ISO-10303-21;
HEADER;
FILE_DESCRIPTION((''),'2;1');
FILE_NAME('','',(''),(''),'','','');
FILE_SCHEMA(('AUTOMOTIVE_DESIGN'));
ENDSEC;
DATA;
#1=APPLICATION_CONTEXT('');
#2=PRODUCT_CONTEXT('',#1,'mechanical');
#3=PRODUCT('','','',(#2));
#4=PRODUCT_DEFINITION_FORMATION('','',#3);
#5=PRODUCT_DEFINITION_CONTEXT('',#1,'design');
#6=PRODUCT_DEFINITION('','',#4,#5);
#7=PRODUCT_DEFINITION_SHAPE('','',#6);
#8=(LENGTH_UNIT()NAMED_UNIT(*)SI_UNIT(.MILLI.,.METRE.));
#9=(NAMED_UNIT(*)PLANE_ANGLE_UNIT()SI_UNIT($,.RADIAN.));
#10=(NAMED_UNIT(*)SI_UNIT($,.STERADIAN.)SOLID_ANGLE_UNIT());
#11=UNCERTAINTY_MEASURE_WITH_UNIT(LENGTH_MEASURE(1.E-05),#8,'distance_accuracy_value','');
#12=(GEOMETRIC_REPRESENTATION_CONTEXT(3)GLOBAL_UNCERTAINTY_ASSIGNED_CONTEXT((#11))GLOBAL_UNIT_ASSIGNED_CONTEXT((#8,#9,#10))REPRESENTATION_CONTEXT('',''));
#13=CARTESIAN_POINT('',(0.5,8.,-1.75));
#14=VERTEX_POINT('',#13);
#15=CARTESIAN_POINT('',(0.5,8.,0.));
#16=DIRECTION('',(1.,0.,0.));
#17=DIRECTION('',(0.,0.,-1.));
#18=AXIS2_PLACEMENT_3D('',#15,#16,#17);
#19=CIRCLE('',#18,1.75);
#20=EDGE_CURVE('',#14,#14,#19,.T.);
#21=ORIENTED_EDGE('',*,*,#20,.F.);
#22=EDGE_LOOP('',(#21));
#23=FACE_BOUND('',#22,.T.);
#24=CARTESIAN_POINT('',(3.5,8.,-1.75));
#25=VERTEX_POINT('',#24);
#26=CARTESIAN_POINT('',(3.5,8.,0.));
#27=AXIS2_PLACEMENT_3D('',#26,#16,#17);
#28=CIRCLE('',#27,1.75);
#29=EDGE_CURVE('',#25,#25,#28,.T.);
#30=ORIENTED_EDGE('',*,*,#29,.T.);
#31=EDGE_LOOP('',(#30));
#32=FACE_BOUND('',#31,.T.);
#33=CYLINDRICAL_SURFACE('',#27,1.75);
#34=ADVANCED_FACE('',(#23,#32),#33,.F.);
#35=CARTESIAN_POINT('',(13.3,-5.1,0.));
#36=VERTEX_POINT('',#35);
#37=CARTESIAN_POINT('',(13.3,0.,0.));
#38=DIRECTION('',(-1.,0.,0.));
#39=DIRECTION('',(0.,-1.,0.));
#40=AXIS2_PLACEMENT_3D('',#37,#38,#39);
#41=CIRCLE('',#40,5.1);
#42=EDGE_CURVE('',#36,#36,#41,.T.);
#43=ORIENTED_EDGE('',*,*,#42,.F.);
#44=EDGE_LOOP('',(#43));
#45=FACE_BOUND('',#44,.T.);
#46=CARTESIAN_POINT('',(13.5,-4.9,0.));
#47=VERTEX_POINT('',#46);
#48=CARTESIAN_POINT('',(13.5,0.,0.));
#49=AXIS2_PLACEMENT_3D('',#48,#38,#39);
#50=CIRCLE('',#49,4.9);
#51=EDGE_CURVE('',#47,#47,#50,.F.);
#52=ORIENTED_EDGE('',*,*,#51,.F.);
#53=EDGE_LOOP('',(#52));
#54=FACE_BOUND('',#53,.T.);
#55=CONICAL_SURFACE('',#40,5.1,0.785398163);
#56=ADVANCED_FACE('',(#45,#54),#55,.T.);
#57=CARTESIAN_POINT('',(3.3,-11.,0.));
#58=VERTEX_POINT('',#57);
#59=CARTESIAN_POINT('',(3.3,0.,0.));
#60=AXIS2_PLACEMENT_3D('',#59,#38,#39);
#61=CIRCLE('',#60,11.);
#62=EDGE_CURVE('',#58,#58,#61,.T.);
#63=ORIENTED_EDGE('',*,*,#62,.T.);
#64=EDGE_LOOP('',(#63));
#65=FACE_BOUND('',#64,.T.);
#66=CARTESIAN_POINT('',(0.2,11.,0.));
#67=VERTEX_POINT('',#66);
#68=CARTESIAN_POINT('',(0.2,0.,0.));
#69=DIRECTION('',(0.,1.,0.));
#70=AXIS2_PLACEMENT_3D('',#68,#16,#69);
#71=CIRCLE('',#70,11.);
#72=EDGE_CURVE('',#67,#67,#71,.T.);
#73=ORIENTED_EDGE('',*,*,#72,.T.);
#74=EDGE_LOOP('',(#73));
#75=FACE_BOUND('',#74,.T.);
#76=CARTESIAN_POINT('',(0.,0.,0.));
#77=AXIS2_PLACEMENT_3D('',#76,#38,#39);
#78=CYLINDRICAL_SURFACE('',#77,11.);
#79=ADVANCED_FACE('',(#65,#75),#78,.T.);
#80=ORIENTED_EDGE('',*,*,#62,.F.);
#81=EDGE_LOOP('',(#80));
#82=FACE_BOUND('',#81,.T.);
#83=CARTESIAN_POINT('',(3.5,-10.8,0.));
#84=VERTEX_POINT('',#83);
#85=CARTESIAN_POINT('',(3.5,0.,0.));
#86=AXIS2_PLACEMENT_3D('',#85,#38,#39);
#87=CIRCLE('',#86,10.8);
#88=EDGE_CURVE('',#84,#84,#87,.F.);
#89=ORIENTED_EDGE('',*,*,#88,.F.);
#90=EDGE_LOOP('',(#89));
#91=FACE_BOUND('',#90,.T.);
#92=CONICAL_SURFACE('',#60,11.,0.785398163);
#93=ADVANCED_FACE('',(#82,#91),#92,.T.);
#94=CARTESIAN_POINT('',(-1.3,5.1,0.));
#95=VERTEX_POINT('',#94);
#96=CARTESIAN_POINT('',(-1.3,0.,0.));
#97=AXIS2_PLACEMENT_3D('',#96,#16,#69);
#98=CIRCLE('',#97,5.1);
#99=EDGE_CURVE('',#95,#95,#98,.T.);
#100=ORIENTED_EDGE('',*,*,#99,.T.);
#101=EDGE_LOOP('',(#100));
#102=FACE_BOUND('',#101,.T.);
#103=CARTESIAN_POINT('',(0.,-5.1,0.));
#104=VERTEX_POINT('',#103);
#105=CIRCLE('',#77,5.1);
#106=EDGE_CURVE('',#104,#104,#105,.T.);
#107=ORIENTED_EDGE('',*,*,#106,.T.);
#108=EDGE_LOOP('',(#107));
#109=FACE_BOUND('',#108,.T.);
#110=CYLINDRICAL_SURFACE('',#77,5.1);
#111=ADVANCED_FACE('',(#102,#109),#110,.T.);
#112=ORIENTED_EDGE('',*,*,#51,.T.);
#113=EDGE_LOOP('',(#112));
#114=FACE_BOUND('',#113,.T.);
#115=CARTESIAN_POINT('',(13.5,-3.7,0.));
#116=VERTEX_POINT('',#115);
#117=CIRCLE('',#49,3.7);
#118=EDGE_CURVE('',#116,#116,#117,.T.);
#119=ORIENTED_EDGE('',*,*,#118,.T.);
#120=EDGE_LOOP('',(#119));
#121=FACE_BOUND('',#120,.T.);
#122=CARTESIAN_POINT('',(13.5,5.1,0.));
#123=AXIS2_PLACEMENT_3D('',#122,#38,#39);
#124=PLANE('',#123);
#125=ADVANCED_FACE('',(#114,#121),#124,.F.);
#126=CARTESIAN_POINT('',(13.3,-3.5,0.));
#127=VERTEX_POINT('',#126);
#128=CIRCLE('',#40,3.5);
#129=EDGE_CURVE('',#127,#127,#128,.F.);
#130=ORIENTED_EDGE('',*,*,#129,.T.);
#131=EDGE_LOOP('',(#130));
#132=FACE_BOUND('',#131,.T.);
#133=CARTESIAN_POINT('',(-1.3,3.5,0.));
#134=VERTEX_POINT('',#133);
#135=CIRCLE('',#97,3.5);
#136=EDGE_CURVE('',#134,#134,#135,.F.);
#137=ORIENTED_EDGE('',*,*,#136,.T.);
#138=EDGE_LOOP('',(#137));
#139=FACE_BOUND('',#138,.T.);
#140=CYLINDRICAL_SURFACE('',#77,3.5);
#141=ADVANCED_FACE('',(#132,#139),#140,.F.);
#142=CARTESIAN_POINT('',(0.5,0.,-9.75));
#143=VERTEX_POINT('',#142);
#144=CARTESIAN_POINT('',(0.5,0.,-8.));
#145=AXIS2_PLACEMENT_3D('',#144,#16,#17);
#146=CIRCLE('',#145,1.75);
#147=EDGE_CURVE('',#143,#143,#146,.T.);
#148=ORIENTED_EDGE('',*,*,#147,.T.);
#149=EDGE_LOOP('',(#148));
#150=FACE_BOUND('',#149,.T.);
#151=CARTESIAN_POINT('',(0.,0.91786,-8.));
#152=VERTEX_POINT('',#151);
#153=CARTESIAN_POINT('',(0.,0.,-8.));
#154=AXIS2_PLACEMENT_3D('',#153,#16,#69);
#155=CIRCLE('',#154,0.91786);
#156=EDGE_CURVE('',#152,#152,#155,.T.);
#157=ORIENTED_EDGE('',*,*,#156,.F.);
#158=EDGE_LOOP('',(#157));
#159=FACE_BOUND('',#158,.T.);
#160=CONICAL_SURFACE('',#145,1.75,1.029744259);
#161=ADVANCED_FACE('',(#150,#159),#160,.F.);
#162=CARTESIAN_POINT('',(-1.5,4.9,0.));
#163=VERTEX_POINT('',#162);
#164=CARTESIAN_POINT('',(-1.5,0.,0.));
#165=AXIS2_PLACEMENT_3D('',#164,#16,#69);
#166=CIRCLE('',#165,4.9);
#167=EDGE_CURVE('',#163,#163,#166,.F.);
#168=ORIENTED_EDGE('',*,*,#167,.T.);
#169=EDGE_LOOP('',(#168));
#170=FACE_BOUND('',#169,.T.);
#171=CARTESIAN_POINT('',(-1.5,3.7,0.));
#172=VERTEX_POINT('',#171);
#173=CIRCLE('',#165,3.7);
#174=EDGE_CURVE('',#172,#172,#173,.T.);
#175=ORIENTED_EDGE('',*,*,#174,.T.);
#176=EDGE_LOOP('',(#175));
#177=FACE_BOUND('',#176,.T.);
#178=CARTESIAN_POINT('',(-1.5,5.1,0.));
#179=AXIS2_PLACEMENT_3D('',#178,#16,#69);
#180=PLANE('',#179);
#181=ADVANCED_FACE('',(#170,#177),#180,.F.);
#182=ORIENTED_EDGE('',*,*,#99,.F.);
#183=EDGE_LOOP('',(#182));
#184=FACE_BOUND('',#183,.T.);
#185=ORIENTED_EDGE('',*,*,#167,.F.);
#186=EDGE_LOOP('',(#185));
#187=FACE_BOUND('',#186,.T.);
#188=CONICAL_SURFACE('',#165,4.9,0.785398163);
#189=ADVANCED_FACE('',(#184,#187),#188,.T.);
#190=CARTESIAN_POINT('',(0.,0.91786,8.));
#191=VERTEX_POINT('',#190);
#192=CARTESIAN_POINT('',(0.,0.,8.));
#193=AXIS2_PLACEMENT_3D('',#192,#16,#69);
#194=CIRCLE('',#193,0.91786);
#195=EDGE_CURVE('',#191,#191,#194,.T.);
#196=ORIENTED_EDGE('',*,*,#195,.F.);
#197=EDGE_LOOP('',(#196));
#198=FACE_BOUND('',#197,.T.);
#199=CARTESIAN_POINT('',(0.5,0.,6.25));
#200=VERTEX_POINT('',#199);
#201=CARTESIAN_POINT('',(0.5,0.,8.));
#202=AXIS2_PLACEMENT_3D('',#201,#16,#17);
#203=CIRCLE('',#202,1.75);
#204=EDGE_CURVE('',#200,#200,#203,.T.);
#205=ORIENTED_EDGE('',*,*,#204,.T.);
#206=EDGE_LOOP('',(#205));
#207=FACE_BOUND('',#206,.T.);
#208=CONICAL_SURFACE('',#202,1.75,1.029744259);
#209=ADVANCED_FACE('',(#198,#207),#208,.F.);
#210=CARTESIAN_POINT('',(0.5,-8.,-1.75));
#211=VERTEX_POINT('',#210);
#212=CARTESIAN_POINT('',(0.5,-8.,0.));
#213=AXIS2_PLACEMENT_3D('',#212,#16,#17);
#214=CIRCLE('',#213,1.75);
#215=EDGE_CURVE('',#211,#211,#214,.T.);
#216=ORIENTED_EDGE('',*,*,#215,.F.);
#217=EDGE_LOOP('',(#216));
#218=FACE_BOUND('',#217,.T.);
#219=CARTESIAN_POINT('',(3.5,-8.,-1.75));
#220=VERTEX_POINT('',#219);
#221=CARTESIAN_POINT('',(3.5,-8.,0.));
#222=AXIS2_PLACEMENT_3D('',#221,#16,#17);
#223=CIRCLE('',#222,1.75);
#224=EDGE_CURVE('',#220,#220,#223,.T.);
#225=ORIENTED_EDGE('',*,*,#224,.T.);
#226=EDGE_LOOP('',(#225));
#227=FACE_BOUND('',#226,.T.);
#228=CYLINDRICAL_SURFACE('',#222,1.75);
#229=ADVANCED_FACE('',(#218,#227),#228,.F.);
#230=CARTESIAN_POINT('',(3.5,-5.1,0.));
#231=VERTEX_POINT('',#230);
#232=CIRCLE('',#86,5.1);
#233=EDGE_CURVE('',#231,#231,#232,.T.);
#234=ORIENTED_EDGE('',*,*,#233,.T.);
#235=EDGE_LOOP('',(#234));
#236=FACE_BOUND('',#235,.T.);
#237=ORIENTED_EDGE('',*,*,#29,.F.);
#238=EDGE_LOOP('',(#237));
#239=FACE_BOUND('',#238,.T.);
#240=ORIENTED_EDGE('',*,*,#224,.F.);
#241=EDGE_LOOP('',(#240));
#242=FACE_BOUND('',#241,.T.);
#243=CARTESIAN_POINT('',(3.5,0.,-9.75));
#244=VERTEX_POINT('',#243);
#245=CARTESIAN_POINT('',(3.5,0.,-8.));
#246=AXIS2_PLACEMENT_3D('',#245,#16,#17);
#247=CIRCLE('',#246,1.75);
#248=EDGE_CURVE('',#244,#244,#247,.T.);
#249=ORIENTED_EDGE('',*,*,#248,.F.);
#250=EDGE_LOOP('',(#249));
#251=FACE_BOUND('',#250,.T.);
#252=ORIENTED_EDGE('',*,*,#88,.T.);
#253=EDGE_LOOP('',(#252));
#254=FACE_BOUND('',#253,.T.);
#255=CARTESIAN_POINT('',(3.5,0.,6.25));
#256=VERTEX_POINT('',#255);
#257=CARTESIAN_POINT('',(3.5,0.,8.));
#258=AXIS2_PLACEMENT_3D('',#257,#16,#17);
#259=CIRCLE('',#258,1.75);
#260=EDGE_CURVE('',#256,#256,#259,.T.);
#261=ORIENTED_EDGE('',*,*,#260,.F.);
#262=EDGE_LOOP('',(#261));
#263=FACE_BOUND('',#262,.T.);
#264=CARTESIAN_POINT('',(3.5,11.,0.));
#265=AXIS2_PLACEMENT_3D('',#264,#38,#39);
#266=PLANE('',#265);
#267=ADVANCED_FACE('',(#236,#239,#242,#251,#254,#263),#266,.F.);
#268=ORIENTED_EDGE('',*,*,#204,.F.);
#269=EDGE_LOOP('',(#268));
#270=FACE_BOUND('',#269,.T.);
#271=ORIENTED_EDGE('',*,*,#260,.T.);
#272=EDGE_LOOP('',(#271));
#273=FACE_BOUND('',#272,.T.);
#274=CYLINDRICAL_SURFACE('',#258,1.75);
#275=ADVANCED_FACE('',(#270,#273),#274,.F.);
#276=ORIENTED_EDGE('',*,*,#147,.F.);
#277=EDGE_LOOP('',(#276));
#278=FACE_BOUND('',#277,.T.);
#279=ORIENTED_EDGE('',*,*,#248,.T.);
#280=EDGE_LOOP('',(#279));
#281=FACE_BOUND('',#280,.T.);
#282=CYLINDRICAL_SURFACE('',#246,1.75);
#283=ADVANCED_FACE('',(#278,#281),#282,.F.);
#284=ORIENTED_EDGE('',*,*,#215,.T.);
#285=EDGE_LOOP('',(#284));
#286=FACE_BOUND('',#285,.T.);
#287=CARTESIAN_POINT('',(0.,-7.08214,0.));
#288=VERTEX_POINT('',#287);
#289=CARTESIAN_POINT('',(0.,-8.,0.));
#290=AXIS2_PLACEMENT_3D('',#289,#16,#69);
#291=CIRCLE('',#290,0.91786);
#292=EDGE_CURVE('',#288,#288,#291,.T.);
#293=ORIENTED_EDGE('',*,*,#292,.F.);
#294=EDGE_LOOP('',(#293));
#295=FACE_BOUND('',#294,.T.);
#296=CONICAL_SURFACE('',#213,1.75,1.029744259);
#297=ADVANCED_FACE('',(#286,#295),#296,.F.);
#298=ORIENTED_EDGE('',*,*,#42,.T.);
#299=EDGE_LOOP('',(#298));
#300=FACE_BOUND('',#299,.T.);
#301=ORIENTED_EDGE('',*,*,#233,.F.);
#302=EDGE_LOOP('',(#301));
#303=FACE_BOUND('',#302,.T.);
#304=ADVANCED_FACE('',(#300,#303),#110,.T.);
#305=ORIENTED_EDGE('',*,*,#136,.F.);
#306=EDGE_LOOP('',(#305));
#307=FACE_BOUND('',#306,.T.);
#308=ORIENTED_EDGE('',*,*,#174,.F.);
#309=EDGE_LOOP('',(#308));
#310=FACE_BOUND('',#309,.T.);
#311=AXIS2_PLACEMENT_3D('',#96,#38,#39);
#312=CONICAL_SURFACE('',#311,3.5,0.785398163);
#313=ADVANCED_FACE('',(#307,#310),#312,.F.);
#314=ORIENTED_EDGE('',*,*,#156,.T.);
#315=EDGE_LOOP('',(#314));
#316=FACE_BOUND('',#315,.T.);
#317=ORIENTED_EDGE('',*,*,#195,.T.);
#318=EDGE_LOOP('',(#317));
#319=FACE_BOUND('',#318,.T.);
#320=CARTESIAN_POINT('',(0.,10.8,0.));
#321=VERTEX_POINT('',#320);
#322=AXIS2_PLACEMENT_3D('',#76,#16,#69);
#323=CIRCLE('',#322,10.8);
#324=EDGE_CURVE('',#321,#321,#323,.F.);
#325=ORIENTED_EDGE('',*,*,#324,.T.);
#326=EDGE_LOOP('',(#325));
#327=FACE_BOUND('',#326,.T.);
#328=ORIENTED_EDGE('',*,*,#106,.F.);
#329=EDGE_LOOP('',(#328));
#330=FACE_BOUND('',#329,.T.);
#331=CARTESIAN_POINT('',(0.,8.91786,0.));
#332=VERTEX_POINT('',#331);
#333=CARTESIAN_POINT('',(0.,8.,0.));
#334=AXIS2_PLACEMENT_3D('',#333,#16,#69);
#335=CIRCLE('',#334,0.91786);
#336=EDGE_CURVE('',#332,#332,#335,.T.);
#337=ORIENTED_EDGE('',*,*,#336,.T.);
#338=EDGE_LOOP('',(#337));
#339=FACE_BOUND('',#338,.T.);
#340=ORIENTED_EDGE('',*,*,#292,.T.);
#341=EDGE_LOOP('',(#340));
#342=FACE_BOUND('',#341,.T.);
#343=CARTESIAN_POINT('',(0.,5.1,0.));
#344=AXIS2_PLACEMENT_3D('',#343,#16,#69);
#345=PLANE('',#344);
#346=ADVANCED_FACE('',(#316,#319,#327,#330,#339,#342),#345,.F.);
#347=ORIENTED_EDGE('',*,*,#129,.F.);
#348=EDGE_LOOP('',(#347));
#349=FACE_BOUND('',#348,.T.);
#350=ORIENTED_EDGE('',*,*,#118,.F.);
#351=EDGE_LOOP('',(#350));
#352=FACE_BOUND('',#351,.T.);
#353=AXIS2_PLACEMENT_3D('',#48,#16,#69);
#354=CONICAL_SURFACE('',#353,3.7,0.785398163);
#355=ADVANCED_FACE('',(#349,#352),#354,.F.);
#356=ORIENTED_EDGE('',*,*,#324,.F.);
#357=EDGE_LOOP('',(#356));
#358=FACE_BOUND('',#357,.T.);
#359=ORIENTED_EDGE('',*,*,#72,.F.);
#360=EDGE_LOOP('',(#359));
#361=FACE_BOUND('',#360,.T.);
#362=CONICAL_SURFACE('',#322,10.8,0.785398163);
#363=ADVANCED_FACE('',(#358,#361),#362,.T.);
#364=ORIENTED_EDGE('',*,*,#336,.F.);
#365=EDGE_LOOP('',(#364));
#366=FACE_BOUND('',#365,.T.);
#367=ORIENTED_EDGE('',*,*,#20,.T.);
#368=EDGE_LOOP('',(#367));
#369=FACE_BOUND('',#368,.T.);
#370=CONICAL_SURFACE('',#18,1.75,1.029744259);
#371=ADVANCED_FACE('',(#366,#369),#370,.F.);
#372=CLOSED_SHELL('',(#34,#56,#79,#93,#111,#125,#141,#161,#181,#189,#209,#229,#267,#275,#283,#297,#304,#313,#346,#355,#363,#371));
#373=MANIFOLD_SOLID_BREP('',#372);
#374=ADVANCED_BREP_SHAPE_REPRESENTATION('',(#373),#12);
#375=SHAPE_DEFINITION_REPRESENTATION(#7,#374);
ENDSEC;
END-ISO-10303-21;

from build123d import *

# Parameters (mm, degrees)
CHAMFER1_SIZE     = 0.2
CIRPATTERN1_COUNT = 4


with BuildPart() as part:
    # Sketch1 → Revolve1 (revolve)
    with BuildSketch(Plane.XY, mode=Mode.PRIVATE) as revolve1_sk:
        Polygon((0, 5.1), (0, 11), (3.5, 11), (3.5, 5.1), (13.5, 5.1), (13.5, 3.5), (-1.5, 3.5), (-1.5, 5.1), align=None)
    revolve(revolve1_sk.sketch.rotate(Axis((0, 0, 0), (1, 0, 0)), 180), axis=Axis((0, 0, 0), (1, 0, 0)))

    # Chamfer1
    chamfer1_edges = [part.edges().sort_by_distance(p)[0] for p in [
        (-1.5, 3.5, 0),
        (13.5, 3.5, 0),
        (13.5, 5.1, 0),
        (3.5, 11, 0),
        (0, 11, 0),
        (-1.5, 5.1, 0),
    ]]
    chamfer(chamfer1_edges, length=CHAMFER1_SIZE)

    # Sketch5 → M3 Clearance Hole1 (revolve, cut)
    with BuildSketch(Plane(origin=(3.5, 8, 0), x_dir=(0, 0, -1), z_dir=(0, 1, 0))):
        Polygon((0, 0), (0, 4.051506083), (1.75, 3), (1.75, 0), align=None)
    m3_clearance_hole1 = revolve(axis=Axis((9.85, 8, 0), (-1, 0, 0)), mode=Mode.SUBTRACT)

    # CirPattern1: M3 Clearance Hole1 ×4 about axis
    cirpattern1_axis = Axis((0, 0, 0), (1, 0, 0))
    for i in range(1, CIRPATTERN1_COUNT):
        add(m3_clearance_hole1.rotate(cirpattern1_axis, i * 360 / CIRPATTERN1_COUNT), mode=Mode.SUBTRACT)


solid = part.part
